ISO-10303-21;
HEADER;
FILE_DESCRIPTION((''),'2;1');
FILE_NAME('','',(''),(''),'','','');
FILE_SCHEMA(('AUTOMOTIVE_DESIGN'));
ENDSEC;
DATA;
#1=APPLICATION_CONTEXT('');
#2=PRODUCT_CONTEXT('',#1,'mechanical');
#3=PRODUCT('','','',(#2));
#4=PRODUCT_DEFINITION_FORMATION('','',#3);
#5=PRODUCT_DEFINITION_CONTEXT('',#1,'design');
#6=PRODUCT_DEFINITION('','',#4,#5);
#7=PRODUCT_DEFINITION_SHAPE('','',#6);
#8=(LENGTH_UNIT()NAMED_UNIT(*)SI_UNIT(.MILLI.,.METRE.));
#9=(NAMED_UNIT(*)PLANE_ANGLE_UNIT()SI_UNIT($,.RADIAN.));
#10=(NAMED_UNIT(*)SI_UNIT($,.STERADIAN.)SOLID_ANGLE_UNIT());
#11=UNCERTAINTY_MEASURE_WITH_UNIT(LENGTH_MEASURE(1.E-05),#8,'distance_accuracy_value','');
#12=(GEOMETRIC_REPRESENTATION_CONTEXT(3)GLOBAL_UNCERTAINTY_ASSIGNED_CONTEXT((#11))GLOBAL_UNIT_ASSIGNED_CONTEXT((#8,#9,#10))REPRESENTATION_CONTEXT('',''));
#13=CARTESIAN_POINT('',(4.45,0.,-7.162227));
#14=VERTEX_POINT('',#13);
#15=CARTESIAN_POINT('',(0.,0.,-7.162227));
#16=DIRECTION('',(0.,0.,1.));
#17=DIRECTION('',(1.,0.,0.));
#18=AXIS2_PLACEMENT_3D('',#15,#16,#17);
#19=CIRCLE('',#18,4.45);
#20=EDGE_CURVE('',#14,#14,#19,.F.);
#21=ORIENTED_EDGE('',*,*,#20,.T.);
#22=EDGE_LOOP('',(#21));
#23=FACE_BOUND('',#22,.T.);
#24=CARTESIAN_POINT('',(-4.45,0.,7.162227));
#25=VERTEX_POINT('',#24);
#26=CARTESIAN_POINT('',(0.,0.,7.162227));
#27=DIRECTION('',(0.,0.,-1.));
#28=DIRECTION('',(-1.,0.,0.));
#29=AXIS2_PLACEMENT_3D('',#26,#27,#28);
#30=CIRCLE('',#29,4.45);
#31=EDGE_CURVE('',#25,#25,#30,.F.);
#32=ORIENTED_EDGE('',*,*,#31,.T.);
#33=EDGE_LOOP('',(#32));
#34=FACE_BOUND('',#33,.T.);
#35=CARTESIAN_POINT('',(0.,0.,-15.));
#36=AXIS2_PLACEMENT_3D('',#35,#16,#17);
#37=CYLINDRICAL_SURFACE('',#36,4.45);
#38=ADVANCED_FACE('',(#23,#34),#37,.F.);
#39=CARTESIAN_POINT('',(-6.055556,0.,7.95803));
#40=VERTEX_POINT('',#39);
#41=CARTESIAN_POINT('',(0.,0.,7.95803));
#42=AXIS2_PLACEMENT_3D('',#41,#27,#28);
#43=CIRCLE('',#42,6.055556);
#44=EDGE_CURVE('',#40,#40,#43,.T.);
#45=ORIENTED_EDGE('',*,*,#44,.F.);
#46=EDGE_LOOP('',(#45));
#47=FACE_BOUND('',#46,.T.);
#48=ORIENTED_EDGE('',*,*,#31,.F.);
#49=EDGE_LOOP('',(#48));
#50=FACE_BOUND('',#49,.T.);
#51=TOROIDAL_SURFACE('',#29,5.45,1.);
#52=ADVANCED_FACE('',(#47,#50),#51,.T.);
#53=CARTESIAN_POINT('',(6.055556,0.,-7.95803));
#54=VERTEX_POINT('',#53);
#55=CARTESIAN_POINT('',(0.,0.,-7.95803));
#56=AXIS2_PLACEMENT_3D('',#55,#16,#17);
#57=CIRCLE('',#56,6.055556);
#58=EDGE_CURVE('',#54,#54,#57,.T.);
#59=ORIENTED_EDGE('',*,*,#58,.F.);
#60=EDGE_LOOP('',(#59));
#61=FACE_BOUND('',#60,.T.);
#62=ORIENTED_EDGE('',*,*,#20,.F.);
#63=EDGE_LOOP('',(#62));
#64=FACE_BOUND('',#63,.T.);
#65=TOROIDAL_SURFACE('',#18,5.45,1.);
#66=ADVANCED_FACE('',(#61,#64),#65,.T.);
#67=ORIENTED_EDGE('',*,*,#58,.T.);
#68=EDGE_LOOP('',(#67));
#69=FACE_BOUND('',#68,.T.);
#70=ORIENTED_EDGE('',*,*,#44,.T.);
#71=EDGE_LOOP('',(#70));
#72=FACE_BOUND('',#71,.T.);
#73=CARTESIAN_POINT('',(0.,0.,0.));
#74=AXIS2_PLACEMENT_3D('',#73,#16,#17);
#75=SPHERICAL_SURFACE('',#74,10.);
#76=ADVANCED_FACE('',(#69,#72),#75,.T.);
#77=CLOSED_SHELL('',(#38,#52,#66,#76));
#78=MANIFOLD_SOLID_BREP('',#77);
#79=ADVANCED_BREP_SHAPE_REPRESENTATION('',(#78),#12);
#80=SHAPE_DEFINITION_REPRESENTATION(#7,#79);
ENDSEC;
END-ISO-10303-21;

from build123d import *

# Parameters (mm, degrees)
SKETCH_2_R          = 4.45
CUT_EXTRUDE_1_DEPTH = 15
FILLET_1_R          = 1


with BuildPart() as part:
    # 스케치1 → 회전2 (revolve)
    with BuildSketch(Plane.XY):
        with BuildLine():
            Line((0, 10), (0, -10))
            ThreePointArc((0, -10), (-10, 0), (0, 10))
        make_face()
    revolve(axis=Axis((0, 11.789684906, 0), (0, -1, 0)))

    # 스케치2 → 컷-돌출1 (cut, symmetric)
    with BuildSketch(Plane.XY):
        with Locations(Location((0, 0, 0), (0, 0, 180))):
            Circle(SKETCH_2_R)
    extrude(amount=CUT_EXTRUDE_1_DEPTH, both=True, mode=Mode.SUBTRACT)

    # 필렛1
    fillet_1_edges = [part.edges().sort_by_distance(p)[0] for p in [
        (4.45, 0, 8.95530569),
        (4.45, 0, -8.95530569),
    ]]
    fillet(fillet_1_edges, radius=FILLET_1_R)


solid = part.part
